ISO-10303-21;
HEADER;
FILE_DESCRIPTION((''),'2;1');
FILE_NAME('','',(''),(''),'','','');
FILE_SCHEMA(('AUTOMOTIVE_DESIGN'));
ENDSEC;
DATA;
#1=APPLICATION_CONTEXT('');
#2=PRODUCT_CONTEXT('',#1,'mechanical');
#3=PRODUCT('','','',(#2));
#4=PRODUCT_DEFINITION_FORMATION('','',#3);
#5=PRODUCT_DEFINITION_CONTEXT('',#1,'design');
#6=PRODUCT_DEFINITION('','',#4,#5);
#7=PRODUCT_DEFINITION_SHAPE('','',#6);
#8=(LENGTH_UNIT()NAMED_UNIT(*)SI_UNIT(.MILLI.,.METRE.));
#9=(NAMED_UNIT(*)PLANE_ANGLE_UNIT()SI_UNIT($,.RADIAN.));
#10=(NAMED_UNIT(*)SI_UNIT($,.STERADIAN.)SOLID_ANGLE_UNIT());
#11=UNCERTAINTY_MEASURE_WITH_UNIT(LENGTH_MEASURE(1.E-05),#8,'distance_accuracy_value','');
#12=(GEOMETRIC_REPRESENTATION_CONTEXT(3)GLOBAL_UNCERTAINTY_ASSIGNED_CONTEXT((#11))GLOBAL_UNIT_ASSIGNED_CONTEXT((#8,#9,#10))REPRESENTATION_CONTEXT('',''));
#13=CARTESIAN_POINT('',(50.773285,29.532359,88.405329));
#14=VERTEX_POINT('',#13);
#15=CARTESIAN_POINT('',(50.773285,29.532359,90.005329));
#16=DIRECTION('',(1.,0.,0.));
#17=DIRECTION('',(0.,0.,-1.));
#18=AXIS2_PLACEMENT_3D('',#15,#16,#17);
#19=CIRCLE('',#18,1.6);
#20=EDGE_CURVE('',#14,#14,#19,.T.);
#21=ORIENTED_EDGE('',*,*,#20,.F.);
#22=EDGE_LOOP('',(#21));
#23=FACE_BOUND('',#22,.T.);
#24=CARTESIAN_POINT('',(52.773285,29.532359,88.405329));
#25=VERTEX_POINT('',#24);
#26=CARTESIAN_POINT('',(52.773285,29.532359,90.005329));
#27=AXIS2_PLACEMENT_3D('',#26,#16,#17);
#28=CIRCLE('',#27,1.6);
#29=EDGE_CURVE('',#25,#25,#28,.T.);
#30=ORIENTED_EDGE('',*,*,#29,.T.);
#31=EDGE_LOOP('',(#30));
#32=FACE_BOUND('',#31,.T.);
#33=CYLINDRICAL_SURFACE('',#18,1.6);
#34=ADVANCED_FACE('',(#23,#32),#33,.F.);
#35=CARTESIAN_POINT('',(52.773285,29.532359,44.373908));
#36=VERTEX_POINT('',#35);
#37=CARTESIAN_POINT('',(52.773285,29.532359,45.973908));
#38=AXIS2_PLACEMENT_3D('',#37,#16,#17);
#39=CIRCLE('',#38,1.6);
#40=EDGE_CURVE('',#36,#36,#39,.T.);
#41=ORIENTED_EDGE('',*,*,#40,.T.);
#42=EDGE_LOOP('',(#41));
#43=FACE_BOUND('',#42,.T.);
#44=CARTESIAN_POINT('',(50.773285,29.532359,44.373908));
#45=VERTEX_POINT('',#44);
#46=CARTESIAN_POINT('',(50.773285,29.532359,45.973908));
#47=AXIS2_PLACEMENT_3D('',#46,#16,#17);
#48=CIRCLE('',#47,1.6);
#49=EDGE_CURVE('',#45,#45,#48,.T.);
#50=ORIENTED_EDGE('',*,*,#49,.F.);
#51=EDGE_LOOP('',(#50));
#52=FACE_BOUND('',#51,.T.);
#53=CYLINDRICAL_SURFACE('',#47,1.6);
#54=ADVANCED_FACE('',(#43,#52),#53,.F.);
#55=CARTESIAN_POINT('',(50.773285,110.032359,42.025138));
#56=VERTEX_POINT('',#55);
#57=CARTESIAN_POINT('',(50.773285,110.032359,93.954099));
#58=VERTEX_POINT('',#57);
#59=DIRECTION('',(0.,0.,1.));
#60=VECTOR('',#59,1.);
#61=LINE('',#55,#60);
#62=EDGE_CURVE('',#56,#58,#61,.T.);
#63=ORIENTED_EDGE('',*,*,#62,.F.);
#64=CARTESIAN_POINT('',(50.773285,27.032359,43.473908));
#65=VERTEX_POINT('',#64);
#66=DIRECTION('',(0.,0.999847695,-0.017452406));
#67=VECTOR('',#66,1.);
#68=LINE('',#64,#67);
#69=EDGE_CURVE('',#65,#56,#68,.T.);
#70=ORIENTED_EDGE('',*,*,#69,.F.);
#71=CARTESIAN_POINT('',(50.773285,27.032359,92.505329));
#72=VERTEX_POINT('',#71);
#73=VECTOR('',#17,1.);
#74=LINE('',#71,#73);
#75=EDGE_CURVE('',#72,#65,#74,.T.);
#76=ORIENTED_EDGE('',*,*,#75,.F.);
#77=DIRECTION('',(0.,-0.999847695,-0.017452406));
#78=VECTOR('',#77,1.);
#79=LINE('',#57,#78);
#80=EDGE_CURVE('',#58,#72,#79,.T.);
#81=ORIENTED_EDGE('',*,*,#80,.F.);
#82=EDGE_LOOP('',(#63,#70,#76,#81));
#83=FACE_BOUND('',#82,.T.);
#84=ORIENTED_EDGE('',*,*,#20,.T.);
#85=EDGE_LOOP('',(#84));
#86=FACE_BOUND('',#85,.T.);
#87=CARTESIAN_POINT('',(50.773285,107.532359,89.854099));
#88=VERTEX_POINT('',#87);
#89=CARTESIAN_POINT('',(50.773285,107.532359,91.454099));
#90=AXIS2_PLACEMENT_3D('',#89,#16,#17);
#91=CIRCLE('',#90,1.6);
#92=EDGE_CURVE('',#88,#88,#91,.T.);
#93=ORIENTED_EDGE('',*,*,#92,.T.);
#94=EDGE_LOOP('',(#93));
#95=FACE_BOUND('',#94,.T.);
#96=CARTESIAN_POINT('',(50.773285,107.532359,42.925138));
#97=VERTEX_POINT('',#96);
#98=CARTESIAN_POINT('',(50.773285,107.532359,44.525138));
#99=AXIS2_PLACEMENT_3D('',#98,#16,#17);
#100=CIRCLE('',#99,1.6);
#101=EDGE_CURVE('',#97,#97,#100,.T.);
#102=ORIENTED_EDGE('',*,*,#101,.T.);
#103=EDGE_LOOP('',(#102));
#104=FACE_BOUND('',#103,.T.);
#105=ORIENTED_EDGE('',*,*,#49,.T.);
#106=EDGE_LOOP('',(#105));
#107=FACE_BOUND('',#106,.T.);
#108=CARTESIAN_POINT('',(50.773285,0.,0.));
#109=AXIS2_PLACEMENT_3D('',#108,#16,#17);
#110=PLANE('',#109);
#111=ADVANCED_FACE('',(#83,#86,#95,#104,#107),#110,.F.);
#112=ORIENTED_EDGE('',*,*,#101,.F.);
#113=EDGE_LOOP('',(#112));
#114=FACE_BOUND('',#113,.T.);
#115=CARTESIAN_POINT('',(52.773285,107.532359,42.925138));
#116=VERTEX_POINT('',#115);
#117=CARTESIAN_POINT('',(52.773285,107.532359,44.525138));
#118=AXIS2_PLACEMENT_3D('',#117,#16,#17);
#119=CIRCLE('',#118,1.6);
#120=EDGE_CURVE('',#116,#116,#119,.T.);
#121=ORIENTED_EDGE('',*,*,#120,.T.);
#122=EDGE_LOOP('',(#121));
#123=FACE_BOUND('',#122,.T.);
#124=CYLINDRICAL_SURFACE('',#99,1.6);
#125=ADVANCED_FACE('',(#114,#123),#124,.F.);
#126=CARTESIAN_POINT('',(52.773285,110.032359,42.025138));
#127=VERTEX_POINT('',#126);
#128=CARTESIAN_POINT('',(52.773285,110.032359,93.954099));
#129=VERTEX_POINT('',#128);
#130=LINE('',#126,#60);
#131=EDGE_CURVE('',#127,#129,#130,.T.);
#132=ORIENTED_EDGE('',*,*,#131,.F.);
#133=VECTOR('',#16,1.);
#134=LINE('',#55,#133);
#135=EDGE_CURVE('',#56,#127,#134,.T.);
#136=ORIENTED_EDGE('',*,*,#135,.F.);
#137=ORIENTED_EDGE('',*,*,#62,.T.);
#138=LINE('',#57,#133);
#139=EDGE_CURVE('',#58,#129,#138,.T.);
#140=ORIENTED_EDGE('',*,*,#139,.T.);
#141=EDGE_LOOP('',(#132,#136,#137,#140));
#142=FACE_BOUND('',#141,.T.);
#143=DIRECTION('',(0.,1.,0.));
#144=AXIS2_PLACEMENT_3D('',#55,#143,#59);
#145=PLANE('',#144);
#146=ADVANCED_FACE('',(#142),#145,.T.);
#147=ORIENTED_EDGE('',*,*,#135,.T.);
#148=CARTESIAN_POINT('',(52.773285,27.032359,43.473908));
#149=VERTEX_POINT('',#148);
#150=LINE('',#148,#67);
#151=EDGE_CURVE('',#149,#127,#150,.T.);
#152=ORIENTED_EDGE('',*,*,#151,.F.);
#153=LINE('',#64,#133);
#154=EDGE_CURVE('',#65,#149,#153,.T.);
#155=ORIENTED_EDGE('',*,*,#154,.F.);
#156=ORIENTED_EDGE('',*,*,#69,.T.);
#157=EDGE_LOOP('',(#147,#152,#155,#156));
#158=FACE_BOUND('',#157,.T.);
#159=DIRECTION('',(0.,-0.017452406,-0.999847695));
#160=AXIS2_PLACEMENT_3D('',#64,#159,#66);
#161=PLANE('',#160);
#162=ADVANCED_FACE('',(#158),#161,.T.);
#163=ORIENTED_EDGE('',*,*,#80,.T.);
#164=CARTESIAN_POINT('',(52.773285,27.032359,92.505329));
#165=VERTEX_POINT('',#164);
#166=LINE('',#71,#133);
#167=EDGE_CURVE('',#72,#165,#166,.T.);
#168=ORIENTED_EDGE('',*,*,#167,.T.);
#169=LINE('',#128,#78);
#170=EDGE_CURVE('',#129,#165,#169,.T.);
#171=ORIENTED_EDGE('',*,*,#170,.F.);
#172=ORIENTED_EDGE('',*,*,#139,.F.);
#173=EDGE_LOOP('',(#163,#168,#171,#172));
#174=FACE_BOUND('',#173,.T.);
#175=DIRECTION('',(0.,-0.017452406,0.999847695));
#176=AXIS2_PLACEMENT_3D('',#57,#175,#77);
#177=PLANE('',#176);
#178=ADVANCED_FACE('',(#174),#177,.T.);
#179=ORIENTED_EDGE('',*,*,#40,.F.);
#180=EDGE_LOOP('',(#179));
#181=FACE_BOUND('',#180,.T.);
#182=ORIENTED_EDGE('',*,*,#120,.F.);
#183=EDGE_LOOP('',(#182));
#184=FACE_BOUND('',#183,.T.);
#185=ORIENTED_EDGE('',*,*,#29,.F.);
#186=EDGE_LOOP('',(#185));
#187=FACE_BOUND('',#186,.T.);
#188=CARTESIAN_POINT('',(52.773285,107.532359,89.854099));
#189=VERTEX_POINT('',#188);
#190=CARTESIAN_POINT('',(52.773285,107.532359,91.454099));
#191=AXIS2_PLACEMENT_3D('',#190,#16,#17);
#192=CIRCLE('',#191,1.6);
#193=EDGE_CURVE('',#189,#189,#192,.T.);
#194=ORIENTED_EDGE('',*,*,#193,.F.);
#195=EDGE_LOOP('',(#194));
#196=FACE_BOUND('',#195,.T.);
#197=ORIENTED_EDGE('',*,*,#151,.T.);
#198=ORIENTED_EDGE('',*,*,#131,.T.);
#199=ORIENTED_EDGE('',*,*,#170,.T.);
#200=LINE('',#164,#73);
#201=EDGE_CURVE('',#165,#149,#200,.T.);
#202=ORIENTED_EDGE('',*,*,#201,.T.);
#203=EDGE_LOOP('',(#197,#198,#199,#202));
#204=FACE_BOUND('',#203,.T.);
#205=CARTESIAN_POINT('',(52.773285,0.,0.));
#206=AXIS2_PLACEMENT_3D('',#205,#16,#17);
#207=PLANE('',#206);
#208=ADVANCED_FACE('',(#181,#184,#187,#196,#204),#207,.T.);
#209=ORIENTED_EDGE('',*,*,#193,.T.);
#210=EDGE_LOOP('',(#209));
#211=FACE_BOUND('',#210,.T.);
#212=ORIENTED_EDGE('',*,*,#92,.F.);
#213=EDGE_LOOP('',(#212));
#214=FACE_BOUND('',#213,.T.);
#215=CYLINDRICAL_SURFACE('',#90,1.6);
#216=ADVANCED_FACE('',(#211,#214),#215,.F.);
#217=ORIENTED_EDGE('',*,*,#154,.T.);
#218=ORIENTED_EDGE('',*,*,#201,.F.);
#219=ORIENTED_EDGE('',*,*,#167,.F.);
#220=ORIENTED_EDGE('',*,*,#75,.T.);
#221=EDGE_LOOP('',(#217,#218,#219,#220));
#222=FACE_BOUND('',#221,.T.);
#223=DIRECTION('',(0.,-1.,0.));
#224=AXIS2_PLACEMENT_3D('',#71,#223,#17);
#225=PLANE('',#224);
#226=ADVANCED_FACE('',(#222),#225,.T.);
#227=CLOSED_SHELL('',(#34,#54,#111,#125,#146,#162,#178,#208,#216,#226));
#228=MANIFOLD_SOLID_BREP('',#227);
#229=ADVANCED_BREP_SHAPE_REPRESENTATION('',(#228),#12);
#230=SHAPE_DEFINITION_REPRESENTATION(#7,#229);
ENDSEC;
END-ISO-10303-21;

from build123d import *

# Parameters (mm, degrees)
BOSS_EXTRUDE1_DEPTH = 2
SKETCH2_R           = 1.6
CUT_EXTRUDE4_DEPTH  = 2


with BuildPart() as part:
    # Sketch1 → Boss-Extrude1 (new body)
    with BuildSketch(Plane(origin=(52.773284786, 0, 0), x_dir=(0, 0, -1), z_dir=(1, 0, 0))):
        Polygon((-92.505328732, 27.032359226), (-43.473908394, 27.032359226), (-42.025138005, 110.032359226), (-93.954099121, 110.032359226), align=None)
    extrude(amount=-BOSS_EXTRUDE1_DEPTH)

    # Sketch2 → Cut-Extrude4 (cut)
    with BuildSketch(Plane(origin=(52.773284786, 0, 0), x_dir=(0, 0, -1), z_dir=(1, 0, 0))):
        with Locations((-44.525138005, 107.532359226)):
            Circle(SKETCH2_R)
        with Locations((-91.454099121, 107.532359226)):
            Circle(SKETCH2_R)
        with Locations((-45.973908394, 29.532359226)):
            Circle(SKETCH2_R)
        with Locations((-90.005328732, 29.532359226)):
            Circle(SKETCH2_R)
    extrude(amount=-CUT_EXTRUDE4_DEPTH, mode=Mode.SUBTRACT)


solid = part.part
